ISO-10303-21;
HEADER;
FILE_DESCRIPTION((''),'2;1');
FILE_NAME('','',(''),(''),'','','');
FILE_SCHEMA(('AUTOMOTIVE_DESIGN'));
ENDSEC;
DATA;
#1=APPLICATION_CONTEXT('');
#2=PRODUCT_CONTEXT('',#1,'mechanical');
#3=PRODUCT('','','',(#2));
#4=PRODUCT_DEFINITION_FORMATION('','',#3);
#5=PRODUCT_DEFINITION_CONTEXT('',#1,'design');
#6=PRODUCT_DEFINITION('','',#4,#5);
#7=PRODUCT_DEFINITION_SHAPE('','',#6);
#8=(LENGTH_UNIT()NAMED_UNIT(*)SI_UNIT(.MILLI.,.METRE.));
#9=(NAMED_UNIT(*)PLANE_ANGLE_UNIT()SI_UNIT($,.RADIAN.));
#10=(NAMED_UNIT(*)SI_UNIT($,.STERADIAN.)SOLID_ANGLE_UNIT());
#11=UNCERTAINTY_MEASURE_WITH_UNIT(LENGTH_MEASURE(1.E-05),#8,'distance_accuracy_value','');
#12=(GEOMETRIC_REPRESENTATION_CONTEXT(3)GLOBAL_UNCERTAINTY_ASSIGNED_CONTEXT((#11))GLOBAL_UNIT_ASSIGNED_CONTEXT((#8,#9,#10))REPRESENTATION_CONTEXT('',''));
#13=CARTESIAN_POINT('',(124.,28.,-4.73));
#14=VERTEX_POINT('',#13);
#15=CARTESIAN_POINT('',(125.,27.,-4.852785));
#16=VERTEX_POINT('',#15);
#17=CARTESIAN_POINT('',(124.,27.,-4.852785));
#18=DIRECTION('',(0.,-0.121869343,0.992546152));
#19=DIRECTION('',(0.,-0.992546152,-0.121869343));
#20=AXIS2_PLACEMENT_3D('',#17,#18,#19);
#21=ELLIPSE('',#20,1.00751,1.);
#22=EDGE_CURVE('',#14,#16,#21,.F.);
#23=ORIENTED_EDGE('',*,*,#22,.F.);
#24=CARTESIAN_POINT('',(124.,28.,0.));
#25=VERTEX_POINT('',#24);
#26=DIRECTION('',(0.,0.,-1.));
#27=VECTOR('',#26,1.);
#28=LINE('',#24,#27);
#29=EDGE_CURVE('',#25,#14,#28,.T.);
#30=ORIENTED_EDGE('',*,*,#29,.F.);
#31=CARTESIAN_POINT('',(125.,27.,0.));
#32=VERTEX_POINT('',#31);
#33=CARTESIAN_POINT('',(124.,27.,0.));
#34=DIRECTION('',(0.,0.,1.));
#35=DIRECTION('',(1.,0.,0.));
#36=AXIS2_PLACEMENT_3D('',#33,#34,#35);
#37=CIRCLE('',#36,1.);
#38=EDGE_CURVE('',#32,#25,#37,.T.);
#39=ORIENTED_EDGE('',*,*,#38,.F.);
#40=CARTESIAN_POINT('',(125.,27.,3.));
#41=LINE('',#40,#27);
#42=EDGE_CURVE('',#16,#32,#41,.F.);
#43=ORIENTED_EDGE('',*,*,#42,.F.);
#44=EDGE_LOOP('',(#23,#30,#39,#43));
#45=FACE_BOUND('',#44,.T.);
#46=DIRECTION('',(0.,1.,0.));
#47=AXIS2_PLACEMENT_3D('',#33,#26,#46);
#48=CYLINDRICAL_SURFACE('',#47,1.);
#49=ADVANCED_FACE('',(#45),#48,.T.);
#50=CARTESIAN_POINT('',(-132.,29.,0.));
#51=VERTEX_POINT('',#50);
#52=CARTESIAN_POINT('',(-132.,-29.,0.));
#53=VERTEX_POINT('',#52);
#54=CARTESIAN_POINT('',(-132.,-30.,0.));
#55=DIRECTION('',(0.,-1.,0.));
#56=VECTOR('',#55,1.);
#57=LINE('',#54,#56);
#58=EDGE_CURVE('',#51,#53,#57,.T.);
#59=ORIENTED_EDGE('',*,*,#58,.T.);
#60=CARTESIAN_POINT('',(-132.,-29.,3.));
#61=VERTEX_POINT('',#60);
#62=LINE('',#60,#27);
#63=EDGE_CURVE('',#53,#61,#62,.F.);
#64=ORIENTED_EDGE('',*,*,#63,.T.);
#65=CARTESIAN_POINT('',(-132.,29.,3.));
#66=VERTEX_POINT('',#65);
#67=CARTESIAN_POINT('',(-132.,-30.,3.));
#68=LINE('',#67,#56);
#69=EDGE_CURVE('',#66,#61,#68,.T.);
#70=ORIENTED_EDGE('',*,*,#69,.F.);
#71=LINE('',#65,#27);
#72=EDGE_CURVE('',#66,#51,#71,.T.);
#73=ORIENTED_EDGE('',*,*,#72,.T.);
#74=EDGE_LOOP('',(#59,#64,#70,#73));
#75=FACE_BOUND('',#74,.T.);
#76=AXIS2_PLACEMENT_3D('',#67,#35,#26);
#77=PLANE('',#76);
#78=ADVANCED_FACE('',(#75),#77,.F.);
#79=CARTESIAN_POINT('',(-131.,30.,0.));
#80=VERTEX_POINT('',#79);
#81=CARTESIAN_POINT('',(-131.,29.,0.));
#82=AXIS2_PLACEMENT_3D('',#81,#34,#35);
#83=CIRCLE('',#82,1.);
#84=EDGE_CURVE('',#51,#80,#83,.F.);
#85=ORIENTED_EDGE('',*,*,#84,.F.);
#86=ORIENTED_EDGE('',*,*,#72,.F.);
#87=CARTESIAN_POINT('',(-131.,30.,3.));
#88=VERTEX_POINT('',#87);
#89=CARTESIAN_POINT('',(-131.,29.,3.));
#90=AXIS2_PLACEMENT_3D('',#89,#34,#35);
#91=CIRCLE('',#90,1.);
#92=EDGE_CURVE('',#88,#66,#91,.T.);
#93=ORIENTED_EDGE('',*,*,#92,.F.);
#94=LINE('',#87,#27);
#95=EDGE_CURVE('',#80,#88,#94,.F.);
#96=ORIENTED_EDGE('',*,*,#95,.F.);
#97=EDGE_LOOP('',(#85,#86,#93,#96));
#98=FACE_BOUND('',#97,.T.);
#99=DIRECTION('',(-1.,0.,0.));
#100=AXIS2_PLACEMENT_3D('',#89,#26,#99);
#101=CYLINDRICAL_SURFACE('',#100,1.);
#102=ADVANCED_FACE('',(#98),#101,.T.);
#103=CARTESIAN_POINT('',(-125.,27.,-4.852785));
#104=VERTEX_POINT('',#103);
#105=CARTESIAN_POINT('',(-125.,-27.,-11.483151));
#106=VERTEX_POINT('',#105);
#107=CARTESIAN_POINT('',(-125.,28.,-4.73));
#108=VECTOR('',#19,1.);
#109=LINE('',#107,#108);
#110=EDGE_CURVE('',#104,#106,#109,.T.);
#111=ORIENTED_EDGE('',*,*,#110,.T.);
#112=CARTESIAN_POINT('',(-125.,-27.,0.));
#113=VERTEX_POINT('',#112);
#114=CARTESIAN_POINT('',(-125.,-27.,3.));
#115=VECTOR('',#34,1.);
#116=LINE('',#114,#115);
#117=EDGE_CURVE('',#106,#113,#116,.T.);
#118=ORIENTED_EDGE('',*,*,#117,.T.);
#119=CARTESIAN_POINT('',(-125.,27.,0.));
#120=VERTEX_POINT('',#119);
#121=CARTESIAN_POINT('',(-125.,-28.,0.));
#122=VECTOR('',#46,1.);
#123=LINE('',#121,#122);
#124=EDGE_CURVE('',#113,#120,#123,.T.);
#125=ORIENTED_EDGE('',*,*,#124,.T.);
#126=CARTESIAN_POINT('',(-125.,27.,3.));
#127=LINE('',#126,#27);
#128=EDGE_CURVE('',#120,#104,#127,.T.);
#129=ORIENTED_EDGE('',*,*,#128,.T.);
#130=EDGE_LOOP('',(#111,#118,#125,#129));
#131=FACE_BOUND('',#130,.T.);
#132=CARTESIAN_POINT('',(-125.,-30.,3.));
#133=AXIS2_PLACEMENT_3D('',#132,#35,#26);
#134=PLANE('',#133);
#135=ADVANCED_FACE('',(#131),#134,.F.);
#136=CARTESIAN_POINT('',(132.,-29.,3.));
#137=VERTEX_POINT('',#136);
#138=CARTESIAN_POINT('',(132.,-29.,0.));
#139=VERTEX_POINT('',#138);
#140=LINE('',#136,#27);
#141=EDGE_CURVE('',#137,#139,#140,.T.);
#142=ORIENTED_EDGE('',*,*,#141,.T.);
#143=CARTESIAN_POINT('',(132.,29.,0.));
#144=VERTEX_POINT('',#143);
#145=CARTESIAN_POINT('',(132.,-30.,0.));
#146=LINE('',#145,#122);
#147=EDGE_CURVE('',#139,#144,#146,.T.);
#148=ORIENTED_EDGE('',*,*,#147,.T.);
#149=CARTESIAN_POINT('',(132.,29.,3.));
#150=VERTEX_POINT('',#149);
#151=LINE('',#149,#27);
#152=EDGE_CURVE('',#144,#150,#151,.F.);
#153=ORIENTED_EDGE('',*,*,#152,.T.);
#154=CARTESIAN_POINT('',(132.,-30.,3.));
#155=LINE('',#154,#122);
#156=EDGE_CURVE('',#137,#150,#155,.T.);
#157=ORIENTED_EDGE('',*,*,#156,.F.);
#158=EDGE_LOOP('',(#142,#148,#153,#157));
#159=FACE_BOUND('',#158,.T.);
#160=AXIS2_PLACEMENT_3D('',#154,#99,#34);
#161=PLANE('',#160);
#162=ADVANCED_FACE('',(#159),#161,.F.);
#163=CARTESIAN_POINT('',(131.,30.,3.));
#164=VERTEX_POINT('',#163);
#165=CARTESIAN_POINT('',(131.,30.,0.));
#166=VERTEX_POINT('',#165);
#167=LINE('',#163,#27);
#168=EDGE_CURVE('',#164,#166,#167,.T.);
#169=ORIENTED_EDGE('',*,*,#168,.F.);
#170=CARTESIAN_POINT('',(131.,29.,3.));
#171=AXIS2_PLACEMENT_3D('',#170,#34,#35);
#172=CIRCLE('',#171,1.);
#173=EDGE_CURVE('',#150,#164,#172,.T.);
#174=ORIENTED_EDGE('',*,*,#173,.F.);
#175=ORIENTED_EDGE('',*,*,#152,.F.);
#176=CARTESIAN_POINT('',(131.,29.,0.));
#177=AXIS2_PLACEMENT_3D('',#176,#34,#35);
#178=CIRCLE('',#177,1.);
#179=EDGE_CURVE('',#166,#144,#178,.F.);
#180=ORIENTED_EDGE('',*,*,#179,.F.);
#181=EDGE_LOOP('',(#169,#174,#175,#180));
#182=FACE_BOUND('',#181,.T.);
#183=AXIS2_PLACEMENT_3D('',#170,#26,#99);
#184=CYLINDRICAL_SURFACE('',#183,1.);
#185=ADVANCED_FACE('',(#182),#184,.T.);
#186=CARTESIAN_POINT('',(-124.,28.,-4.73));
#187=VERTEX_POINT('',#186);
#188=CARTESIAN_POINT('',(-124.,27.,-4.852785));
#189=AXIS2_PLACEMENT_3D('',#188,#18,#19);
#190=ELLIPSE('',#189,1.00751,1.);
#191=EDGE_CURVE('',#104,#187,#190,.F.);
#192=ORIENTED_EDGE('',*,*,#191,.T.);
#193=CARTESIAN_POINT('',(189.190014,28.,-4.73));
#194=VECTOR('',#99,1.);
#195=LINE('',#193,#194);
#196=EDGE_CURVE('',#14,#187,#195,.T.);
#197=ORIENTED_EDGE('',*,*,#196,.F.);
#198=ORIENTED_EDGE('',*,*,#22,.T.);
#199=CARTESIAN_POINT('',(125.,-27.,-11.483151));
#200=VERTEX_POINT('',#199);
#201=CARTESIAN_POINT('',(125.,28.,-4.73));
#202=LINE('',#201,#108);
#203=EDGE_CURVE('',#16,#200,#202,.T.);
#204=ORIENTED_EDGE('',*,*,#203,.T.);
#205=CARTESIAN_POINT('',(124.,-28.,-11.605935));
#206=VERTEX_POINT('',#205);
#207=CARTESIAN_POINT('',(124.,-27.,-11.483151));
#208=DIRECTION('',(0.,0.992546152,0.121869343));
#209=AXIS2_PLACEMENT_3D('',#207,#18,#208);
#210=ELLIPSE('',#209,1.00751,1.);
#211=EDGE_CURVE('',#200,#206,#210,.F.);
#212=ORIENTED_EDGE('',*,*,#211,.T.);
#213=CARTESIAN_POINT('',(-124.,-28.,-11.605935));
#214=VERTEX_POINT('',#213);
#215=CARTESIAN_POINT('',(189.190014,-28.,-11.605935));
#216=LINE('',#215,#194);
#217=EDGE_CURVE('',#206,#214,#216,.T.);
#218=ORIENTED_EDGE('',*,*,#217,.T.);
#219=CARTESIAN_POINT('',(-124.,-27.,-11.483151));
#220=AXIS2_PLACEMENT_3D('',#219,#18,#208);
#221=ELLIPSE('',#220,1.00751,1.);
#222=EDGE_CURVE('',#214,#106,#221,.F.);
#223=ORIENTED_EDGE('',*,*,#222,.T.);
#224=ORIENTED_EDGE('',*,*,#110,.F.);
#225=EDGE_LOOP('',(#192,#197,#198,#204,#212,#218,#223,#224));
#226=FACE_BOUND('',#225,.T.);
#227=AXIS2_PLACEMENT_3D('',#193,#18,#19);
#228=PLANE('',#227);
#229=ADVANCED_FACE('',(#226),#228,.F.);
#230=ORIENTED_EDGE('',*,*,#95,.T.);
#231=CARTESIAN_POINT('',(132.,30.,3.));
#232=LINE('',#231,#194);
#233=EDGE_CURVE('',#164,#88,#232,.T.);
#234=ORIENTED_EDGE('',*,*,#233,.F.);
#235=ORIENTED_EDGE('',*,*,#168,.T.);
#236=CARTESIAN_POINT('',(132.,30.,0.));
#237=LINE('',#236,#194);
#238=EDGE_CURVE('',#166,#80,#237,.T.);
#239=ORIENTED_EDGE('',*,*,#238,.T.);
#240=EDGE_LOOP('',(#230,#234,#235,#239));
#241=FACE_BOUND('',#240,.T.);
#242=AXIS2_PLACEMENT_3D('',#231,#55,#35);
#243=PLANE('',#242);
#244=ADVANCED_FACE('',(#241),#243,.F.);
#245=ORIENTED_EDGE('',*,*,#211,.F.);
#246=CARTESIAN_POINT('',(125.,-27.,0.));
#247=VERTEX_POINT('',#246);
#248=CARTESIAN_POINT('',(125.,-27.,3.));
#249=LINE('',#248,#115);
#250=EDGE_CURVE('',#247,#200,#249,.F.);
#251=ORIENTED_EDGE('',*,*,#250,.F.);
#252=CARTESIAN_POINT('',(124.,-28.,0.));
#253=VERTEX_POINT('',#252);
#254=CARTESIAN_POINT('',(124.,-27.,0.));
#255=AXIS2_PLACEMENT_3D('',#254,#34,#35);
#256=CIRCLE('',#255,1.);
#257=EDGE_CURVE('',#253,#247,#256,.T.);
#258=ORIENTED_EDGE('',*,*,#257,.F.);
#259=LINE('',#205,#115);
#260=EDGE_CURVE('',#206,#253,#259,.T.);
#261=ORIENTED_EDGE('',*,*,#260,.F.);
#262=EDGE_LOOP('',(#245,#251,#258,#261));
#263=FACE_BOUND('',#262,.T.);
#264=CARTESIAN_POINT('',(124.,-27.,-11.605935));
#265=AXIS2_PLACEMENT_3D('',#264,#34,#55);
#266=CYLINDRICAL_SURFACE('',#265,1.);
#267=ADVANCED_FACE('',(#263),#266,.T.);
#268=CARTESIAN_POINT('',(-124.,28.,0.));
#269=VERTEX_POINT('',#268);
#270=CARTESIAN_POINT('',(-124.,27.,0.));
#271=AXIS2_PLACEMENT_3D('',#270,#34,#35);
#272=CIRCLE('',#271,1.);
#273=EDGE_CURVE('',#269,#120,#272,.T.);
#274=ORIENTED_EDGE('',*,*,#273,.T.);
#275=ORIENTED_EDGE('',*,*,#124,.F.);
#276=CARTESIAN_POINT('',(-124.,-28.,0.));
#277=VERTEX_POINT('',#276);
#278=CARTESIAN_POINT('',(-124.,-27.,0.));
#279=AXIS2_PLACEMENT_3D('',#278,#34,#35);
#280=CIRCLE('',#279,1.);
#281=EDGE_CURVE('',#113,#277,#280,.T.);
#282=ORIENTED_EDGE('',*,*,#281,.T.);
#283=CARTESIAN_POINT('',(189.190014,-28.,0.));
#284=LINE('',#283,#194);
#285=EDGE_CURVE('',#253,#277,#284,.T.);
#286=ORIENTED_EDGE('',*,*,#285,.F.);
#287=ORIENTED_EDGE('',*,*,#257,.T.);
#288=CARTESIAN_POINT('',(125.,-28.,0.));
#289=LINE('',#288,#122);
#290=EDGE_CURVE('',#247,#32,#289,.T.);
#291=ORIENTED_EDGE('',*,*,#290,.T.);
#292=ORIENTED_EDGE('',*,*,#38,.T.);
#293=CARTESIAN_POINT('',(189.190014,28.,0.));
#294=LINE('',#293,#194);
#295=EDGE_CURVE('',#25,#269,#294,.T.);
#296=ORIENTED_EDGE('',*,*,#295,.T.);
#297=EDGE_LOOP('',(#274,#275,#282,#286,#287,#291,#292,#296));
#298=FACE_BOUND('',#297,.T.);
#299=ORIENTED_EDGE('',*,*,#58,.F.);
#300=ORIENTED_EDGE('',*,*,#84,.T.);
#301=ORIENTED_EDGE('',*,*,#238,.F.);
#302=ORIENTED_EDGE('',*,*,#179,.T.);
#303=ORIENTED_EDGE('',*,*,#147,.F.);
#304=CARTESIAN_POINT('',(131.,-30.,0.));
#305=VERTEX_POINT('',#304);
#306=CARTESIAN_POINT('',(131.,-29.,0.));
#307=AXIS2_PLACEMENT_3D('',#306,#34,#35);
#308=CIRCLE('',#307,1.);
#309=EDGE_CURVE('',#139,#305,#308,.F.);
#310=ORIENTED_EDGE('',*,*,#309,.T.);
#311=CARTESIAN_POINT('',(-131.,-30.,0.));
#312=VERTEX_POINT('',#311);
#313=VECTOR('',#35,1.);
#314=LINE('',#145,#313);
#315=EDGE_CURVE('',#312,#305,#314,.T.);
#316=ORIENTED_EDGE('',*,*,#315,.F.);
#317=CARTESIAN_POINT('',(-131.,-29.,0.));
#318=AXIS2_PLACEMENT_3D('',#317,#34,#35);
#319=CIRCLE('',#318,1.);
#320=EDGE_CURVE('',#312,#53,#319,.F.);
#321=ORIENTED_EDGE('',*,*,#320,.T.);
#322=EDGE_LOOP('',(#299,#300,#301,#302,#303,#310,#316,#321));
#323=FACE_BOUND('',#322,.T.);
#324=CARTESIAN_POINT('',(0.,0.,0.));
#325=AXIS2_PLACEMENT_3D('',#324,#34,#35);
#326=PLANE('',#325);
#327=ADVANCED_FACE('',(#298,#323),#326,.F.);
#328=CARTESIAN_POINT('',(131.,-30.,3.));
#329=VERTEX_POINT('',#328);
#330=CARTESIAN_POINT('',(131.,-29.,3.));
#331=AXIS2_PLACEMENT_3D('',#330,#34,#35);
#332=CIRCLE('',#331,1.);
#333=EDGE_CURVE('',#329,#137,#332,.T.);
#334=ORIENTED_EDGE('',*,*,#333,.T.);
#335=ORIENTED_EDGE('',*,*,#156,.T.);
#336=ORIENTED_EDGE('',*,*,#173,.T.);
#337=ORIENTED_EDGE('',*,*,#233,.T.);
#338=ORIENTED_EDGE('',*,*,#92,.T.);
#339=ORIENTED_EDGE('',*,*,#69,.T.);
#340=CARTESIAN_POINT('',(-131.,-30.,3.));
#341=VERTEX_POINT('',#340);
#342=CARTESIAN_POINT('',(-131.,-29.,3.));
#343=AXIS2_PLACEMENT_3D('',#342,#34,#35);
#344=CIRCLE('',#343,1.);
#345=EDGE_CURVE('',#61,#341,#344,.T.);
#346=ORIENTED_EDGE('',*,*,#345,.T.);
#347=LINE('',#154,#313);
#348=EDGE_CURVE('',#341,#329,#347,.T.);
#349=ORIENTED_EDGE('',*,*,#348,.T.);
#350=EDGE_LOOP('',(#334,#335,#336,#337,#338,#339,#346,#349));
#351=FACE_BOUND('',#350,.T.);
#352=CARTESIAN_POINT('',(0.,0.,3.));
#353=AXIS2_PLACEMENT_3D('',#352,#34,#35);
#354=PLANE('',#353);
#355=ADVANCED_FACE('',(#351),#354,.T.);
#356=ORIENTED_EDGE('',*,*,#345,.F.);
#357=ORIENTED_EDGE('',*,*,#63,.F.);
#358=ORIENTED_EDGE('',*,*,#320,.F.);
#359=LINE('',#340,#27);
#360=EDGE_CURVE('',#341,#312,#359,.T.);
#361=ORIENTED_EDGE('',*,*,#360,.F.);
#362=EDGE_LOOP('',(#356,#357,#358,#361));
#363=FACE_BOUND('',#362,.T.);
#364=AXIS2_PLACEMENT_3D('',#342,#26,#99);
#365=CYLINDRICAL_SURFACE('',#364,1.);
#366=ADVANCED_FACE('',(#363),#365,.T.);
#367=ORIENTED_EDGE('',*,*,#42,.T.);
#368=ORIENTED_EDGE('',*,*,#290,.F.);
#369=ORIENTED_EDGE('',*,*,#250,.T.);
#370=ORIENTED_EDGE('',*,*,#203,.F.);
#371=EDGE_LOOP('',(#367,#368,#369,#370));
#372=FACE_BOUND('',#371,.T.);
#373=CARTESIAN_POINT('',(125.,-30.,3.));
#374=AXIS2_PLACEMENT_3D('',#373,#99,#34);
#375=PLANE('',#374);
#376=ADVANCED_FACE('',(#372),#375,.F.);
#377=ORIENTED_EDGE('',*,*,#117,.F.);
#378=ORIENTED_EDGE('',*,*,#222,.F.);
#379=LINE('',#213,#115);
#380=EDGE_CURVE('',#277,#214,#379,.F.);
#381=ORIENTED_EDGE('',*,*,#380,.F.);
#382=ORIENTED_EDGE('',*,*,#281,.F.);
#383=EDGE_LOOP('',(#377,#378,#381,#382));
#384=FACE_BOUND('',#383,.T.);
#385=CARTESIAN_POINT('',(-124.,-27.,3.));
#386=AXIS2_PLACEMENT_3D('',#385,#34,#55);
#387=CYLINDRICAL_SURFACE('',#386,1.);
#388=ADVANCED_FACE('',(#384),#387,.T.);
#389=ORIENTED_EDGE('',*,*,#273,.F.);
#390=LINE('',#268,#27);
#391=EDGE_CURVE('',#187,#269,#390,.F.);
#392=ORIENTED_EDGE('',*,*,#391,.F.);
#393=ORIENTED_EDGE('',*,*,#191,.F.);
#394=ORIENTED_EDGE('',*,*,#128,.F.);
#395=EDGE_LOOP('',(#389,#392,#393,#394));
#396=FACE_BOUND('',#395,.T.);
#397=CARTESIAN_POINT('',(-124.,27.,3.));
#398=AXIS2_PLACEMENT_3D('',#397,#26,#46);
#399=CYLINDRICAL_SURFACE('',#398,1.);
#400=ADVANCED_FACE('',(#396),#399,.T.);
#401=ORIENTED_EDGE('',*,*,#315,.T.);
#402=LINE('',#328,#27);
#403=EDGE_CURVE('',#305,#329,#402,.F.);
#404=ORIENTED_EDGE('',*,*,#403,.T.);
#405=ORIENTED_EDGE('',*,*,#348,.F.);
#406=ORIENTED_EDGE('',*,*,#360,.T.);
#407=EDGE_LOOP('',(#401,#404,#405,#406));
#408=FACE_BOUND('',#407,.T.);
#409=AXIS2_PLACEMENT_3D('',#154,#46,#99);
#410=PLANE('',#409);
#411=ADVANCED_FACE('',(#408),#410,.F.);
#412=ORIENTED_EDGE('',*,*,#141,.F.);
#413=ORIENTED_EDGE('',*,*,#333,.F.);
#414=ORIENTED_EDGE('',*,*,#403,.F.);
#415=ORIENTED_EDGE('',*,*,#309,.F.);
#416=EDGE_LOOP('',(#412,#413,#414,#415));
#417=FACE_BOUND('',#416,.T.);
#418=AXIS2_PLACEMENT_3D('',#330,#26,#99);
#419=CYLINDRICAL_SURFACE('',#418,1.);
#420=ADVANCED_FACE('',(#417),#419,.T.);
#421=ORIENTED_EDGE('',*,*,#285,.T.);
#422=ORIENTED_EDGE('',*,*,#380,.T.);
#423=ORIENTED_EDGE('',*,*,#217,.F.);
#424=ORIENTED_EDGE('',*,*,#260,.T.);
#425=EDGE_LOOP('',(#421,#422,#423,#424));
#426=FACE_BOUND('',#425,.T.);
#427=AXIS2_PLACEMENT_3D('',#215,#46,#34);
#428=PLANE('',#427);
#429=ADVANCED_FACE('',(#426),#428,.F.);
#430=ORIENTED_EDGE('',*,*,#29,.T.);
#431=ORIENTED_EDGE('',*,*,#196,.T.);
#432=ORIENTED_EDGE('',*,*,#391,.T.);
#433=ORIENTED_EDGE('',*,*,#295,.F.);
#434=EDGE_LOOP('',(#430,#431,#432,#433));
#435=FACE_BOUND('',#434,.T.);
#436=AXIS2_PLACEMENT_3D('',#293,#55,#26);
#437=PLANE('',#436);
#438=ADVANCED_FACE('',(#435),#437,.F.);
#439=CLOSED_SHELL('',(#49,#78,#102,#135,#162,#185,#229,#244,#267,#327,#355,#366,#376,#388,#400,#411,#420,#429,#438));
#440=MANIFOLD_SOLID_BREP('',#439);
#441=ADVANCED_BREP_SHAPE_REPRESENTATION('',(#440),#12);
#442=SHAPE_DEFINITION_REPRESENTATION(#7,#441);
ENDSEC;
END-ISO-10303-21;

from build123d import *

# Parameters (mm, degrees)
SKETCH1_W                = 264
SKETCH1_H                = 60
BOSS_EXTRUDE1_DEPTH      = 3
BOSS_EXTRUDE2_DEPTH      = 125
BOSS_EXTRUDE2_DEPTH_BACK = 125
FILLET1_R                = 1


with BuildPart() as part:
    # Sketch1 → Boss-Extrude1 (new body)
    with BuildSketch(Plane.XY):
        Rectangle(SKETCH1_W, SKETCH1_H)
    extrude(amount=BOSS_EXTRUDE1_DEPTH)

    # Sketch2 → Boss-Extrude2 (add, two sides)
    with BuildSketch(Plane(origin=(0, 0, 0), x_dir=(0, 0, -1), z_dir=(1, 0, 0))) as boss_extrude2_sk:
        Polygon((0, 28), (4.73, 28), (11.605935411, -28), (0, -28), align=None)
    extrude(amount=BOSS_EXTRUDE2_DEPTH)
    extrude(boss_extrude2_sk.sketch, amount=-BOSS_EXTRUDE2_DEPTH_BACK)

    # Fillet1
    fillet1_edges = [part.edges().sort_by_distance(p)[0] for p in [
        (125, 28, -2.365),
        (125, -28, -5.802967705),
        (-125, 28, -2.365),
        (-125, -28, -5.802967705),
        (-132, 30, 1.5),
        (132, 30, 1.5),
        (132, -30, 1.5),
        (-132, -30, 1.5),
    ]]
    fillet(fillet1_edges, radius=FILLET1_R)


solid = part.part
